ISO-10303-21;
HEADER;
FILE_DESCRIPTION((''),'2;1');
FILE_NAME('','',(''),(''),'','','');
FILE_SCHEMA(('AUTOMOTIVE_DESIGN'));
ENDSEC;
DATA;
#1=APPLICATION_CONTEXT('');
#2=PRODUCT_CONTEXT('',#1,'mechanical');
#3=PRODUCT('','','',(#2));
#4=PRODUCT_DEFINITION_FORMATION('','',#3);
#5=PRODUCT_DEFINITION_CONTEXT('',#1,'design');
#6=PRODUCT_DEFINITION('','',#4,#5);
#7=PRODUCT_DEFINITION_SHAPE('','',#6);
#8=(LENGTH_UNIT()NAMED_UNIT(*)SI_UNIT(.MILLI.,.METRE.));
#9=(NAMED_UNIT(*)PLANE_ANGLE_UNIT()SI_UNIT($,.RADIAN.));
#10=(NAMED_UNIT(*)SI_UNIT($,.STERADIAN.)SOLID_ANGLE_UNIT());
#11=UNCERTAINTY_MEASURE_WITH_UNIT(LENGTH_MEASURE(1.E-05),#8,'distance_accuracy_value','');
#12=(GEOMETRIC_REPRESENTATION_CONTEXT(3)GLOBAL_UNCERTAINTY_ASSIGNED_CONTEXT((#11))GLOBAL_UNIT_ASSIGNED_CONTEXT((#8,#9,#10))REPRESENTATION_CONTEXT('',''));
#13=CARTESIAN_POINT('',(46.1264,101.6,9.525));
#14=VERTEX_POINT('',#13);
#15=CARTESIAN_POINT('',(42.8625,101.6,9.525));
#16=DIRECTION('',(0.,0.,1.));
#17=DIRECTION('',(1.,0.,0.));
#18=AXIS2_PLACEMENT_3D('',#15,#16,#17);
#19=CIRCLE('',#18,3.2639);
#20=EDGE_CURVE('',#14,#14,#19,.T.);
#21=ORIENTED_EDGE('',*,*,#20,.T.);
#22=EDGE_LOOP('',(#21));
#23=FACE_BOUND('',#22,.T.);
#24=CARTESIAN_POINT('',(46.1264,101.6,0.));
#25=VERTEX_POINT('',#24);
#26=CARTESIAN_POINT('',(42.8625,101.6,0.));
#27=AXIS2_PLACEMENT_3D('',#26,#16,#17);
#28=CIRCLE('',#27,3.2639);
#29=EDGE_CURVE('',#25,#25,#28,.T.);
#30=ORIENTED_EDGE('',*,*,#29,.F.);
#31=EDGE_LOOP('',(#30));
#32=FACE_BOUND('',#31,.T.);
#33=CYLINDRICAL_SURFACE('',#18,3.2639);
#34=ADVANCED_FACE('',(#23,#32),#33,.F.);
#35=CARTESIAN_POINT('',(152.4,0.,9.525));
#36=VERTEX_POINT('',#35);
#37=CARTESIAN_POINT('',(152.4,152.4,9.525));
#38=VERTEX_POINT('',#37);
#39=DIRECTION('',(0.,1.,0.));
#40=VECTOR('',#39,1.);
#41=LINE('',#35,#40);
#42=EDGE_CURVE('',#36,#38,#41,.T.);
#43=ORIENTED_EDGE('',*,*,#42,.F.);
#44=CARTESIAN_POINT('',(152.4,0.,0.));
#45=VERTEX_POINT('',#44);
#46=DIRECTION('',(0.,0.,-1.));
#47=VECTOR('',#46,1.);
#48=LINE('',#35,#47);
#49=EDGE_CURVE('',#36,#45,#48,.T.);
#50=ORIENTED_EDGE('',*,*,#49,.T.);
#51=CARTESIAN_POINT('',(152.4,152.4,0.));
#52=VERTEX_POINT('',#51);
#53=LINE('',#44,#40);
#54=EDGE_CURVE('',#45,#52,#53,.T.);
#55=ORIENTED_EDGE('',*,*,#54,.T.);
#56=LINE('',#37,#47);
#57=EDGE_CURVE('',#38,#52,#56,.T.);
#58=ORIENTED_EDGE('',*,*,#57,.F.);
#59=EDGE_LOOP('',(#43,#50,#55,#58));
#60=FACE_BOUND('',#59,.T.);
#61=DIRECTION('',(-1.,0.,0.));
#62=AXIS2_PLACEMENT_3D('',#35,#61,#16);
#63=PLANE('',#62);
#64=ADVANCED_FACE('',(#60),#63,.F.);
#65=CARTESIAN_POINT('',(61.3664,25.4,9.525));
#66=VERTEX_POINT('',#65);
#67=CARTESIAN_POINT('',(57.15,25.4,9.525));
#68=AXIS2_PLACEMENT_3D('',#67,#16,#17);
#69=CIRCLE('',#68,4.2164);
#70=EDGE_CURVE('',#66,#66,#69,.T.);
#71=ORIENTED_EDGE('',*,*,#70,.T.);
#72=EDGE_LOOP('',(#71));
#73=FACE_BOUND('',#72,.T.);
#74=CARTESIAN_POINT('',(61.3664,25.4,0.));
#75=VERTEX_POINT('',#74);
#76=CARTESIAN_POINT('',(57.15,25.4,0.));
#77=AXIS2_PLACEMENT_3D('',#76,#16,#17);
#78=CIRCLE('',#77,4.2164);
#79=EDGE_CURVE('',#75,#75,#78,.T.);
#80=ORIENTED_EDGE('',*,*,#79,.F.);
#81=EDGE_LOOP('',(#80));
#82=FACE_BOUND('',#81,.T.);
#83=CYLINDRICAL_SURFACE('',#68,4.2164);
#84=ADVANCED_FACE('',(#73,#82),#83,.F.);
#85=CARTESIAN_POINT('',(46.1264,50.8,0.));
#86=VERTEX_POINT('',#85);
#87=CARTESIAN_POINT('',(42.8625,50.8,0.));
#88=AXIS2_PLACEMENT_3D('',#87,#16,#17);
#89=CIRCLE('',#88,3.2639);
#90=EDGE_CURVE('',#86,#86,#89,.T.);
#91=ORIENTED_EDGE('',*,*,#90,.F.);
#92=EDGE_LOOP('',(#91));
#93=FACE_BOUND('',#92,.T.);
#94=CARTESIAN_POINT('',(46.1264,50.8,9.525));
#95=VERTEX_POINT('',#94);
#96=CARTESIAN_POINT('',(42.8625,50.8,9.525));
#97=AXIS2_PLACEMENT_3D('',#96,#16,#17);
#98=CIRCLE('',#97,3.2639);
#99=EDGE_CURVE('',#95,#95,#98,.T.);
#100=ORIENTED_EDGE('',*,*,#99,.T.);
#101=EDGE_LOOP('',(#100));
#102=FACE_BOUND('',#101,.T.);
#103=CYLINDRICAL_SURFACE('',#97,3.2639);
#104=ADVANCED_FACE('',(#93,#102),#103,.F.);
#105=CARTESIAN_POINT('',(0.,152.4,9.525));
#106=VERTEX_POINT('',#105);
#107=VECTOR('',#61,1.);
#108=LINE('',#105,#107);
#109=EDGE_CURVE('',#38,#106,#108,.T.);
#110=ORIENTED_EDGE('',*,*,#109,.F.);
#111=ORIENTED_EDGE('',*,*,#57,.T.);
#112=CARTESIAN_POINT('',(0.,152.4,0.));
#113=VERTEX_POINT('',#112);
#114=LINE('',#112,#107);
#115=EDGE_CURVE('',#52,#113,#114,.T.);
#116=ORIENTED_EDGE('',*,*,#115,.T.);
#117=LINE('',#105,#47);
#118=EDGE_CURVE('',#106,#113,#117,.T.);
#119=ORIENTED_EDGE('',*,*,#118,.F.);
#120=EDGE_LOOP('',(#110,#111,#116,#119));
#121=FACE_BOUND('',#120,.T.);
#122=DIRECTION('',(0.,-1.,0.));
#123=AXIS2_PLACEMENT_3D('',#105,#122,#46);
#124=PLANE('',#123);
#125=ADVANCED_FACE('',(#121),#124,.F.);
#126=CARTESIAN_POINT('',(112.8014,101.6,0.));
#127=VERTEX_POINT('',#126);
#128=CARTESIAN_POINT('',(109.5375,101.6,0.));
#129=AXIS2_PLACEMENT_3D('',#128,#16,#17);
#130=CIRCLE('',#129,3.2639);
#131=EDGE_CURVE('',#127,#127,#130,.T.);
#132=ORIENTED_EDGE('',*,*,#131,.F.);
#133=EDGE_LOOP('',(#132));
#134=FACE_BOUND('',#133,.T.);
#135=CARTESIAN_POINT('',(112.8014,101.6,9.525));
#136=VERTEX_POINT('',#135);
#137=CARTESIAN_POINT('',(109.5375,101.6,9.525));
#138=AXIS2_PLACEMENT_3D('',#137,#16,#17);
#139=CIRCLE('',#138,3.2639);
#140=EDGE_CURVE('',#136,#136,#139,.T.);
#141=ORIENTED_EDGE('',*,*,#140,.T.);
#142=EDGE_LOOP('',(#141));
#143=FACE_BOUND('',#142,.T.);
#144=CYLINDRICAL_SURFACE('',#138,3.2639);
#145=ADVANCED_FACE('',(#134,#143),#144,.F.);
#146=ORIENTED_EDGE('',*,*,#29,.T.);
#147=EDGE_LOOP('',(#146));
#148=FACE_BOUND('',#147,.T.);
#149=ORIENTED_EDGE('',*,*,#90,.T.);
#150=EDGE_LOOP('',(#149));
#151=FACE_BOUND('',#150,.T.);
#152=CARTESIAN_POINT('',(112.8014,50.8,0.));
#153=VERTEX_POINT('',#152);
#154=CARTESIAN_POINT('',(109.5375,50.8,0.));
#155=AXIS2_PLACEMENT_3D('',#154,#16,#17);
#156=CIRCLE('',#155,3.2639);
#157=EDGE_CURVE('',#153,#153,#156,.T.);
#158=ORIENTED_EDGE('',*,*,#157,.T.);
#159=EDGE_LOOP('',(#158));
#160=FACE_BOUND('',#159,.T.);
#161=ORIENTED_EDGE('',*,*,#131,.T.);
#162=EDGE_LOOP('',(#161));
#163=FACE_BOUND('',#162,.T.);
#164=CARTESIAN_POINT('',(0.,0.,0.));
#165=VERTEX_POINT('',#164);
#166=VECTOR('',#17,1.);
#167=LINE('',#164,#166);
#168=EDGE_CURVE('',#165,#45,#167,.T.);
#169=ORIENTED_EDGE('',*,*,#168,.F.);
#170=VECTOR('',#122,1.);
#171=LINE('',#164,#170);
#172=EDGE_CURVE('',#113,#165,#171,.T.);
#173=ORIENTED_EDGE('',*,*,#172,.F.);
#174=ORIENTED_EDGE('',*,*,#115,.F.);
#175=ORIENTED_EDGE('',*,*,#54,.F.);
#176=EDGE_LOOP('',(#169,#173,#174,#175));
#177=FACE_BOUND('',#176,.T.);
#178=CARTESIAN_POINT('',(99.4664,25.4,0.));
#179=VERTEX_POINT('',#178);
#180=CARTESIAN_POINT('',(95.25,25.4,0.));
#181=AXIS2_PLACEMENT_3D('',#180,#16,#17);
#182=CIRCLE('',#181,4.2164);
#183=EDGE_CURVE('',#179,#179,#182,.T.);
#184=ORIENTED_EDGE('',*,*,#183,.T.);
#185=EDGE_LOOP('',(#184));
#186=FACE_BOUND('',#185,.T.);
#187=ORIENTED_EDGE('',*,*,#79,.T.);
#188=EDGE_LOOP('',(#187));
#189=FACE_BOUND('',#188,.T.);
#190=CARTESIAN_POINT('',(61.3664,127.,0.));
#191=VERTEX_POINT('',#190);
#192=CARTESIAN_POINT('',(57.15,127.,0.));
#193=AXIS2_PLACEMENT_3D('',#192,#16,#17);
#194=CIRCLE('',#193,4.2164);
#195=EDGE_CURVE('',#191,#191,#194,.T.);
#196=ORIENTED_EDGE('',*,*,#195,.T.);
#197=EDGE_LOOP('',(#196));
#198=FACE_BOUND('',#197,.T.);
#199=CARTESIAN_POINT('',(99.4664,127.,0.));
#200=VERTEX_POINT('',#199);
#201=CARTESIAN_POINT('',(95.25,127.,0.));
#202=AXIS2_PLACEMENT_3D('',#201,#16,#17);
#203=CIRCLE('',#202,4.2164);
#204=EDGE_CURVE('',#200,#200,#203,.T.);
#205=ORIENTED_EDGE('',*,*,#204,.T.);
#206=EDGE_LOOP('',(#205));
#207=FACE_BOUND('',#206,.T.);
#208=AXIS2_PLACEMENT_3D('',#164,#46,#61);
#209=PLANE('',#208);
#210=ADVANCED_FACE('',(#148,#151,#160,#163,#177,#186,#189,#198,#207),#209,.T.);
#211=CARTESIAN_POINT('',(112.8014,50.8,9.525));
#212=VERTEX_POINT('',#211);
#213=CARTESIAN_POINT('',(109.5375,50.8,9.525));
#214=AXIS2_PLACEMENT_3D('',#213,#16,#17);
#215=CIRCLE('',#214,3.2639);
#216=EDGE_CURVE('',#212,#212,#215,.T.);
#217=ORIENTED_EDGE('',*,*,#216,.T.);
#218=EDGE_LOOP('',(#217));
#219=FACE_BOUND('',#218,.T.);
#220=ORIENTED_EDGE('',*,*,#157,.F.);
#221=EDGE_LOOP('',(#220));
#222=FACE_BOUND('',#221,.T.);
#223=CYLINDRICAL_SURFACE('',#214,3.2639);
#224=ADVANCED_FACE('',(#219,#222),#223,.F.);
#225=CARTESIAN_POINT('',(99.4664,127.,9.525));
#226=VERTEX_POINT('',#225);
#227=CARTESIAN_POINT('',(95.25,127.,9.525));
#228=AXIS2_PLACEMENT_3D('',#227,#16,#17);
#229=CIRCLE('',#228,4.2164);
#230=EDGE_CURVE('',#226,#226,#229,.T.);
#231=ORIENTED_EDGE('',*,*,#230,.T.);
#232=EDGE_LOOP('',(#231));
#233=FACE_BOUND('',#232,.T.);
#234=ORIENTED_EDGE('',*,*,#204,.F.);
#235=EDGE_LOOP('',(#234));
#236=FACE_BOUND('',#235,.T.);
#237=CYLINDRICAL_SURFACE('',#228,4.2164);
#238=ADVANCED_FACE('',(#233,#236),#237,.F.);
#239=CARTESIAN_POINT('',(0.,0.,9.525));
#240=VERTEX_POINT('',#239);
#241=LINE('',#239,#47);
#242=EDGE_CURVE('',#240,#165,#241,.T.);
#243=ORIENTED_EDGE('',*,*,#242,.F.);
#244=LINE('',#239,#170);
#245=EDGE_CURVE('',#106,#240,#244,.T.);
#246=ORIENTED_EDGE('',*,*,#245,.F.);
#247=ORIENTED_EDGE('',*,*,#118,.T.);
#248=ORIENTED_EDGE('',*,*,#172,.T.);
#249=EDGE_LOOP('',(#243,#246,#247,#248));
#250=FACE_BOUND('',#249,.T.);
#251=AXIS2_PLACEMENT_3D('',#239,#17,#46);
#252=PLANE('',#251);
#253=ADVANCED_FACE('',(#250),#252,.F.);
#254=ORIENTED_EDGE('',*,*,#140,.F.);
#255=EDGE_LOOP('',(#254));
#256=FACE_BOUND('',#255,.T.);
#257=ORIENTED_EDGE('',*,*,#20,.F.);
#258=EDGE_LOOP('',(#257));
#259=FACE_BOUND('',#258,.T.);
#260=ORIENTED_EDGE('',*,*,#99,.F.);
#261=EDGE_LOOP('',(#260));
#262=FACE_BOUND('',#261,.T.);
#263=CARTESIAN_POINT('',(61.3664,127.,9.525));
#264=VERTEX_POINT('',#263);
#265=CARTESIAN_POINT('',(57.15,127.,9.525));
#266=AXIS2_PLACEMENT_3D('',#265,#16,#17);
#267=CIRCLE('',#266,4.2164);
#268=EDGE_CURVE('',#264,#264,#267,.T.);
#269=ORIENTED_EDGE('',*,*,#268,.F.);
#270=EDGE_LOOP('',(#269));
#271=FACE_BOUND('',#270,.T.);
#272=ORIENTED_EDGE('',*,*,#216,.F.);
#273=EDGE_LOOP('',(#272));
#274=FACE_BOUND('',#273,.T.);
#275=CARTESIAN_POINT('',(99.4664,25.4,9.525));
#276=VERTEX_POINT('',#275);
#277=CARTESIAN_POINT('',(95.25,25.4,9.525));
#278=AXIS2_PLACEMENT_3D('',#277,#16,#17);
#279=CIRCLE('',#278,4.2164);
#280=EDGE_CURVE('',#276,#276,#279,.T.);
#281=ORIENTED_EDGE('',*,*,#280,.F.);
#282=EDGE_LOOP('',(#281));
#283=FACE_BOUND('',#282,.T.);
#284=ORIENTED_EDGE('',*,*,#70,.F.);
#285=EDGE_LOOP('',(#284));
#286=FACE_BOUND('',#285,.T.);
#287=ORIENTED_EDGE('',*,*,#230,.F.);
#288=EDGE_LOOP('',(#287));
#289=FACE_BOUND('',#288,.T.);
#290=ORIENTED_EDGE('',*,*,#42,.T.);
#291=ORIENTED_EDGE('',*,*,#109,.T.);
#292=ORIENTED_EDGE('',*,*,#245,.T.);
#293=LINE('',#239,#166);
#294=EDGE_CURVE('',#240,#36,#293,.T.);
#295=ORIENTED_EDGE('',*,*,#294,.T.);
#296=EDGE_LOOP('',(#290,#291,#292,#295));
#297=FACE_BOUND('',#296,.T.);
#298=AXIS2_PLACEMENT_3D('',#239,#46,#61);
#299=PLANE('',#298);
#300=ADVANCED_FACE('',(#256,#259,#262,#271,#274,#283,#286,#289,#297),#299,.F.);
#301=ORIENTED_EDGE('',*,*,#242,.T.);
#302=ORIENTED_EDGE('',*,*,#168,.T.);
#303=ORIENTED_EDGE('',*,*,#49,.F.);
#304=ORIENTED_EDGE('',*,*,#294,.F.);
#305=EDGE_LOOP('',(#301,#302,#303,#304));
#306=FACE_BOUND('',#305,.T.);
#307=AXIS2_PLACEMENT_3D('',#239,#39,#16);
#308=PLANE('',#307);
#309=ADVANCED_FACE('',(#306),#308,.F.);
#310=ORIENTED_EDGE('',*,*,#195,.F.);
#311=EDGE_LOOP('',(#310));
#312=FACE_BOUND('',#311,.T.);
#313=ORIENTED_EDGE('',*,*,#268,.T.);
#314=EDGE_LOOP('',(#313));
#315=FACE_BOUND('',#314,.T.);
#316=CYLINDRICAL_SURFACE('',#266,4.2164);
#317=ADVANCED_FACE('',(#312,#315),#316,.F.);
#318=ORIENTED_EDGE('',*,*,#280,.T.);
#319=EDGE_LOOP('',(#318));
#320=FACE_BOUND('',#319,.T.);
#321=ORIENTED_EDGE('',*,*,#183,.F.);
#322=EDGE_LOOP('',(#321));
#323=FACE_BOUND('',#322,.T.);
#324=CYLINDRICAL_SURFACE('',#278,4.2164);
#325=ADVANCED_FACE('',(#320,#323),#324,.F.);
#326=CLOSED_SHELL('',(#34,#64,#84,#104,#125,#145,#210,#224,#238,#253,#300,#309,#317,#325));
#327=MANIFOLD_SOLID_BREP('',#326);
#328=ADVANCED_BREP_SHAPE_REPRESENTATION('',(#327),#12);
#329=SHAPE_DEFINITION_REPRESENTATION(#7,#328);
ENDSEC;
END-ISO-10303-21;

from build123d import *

# Parameters (mm, degrees)
SKETCH1_W                = 152.4
SKETCH1_H                = 152.4
BOSS_EXTRUDE1_DEPTH      = 9.525
F_5_16_18_TAPPED_HOLE1_D = 6.5278
F_5_16_CLEARANCE_HOLE1_D = 8.4328


with BuildPart() as part:
    # Sketch1 → Boss-Extrude1 (new body)
    with BuildSketch(Plane.XY):
        with Locations((76.2, 76.2)):
            Rectangle(SKETCH1_W, SKETCH1_H)
    extrude(amount=BOSS_EXTRUDE1_DEPTH)

    # 5/16-18 Tapped Hole1 (through all)
    with Locations(Plane.XY.offset(9.525)):
        with Locations((109.5375, 101.6), (42.8625, 101.6), (109.5375, 50.8), (42.8625, 50.8)):
            Hole(F_5_16_18_TAPPED_HOLE1_D / 2)

    # 5/16 Clearance Hole1 (through all)
    with Locations(Plane.XY.offset(9.525)):
        with Locations((95.25, 127), (57.15, 127), (95.25, 25.4), (57.15, 25.4)):
            Hole(F_5_16_CLEARANCE_HOLE1_D / 2)


solid = part.part
